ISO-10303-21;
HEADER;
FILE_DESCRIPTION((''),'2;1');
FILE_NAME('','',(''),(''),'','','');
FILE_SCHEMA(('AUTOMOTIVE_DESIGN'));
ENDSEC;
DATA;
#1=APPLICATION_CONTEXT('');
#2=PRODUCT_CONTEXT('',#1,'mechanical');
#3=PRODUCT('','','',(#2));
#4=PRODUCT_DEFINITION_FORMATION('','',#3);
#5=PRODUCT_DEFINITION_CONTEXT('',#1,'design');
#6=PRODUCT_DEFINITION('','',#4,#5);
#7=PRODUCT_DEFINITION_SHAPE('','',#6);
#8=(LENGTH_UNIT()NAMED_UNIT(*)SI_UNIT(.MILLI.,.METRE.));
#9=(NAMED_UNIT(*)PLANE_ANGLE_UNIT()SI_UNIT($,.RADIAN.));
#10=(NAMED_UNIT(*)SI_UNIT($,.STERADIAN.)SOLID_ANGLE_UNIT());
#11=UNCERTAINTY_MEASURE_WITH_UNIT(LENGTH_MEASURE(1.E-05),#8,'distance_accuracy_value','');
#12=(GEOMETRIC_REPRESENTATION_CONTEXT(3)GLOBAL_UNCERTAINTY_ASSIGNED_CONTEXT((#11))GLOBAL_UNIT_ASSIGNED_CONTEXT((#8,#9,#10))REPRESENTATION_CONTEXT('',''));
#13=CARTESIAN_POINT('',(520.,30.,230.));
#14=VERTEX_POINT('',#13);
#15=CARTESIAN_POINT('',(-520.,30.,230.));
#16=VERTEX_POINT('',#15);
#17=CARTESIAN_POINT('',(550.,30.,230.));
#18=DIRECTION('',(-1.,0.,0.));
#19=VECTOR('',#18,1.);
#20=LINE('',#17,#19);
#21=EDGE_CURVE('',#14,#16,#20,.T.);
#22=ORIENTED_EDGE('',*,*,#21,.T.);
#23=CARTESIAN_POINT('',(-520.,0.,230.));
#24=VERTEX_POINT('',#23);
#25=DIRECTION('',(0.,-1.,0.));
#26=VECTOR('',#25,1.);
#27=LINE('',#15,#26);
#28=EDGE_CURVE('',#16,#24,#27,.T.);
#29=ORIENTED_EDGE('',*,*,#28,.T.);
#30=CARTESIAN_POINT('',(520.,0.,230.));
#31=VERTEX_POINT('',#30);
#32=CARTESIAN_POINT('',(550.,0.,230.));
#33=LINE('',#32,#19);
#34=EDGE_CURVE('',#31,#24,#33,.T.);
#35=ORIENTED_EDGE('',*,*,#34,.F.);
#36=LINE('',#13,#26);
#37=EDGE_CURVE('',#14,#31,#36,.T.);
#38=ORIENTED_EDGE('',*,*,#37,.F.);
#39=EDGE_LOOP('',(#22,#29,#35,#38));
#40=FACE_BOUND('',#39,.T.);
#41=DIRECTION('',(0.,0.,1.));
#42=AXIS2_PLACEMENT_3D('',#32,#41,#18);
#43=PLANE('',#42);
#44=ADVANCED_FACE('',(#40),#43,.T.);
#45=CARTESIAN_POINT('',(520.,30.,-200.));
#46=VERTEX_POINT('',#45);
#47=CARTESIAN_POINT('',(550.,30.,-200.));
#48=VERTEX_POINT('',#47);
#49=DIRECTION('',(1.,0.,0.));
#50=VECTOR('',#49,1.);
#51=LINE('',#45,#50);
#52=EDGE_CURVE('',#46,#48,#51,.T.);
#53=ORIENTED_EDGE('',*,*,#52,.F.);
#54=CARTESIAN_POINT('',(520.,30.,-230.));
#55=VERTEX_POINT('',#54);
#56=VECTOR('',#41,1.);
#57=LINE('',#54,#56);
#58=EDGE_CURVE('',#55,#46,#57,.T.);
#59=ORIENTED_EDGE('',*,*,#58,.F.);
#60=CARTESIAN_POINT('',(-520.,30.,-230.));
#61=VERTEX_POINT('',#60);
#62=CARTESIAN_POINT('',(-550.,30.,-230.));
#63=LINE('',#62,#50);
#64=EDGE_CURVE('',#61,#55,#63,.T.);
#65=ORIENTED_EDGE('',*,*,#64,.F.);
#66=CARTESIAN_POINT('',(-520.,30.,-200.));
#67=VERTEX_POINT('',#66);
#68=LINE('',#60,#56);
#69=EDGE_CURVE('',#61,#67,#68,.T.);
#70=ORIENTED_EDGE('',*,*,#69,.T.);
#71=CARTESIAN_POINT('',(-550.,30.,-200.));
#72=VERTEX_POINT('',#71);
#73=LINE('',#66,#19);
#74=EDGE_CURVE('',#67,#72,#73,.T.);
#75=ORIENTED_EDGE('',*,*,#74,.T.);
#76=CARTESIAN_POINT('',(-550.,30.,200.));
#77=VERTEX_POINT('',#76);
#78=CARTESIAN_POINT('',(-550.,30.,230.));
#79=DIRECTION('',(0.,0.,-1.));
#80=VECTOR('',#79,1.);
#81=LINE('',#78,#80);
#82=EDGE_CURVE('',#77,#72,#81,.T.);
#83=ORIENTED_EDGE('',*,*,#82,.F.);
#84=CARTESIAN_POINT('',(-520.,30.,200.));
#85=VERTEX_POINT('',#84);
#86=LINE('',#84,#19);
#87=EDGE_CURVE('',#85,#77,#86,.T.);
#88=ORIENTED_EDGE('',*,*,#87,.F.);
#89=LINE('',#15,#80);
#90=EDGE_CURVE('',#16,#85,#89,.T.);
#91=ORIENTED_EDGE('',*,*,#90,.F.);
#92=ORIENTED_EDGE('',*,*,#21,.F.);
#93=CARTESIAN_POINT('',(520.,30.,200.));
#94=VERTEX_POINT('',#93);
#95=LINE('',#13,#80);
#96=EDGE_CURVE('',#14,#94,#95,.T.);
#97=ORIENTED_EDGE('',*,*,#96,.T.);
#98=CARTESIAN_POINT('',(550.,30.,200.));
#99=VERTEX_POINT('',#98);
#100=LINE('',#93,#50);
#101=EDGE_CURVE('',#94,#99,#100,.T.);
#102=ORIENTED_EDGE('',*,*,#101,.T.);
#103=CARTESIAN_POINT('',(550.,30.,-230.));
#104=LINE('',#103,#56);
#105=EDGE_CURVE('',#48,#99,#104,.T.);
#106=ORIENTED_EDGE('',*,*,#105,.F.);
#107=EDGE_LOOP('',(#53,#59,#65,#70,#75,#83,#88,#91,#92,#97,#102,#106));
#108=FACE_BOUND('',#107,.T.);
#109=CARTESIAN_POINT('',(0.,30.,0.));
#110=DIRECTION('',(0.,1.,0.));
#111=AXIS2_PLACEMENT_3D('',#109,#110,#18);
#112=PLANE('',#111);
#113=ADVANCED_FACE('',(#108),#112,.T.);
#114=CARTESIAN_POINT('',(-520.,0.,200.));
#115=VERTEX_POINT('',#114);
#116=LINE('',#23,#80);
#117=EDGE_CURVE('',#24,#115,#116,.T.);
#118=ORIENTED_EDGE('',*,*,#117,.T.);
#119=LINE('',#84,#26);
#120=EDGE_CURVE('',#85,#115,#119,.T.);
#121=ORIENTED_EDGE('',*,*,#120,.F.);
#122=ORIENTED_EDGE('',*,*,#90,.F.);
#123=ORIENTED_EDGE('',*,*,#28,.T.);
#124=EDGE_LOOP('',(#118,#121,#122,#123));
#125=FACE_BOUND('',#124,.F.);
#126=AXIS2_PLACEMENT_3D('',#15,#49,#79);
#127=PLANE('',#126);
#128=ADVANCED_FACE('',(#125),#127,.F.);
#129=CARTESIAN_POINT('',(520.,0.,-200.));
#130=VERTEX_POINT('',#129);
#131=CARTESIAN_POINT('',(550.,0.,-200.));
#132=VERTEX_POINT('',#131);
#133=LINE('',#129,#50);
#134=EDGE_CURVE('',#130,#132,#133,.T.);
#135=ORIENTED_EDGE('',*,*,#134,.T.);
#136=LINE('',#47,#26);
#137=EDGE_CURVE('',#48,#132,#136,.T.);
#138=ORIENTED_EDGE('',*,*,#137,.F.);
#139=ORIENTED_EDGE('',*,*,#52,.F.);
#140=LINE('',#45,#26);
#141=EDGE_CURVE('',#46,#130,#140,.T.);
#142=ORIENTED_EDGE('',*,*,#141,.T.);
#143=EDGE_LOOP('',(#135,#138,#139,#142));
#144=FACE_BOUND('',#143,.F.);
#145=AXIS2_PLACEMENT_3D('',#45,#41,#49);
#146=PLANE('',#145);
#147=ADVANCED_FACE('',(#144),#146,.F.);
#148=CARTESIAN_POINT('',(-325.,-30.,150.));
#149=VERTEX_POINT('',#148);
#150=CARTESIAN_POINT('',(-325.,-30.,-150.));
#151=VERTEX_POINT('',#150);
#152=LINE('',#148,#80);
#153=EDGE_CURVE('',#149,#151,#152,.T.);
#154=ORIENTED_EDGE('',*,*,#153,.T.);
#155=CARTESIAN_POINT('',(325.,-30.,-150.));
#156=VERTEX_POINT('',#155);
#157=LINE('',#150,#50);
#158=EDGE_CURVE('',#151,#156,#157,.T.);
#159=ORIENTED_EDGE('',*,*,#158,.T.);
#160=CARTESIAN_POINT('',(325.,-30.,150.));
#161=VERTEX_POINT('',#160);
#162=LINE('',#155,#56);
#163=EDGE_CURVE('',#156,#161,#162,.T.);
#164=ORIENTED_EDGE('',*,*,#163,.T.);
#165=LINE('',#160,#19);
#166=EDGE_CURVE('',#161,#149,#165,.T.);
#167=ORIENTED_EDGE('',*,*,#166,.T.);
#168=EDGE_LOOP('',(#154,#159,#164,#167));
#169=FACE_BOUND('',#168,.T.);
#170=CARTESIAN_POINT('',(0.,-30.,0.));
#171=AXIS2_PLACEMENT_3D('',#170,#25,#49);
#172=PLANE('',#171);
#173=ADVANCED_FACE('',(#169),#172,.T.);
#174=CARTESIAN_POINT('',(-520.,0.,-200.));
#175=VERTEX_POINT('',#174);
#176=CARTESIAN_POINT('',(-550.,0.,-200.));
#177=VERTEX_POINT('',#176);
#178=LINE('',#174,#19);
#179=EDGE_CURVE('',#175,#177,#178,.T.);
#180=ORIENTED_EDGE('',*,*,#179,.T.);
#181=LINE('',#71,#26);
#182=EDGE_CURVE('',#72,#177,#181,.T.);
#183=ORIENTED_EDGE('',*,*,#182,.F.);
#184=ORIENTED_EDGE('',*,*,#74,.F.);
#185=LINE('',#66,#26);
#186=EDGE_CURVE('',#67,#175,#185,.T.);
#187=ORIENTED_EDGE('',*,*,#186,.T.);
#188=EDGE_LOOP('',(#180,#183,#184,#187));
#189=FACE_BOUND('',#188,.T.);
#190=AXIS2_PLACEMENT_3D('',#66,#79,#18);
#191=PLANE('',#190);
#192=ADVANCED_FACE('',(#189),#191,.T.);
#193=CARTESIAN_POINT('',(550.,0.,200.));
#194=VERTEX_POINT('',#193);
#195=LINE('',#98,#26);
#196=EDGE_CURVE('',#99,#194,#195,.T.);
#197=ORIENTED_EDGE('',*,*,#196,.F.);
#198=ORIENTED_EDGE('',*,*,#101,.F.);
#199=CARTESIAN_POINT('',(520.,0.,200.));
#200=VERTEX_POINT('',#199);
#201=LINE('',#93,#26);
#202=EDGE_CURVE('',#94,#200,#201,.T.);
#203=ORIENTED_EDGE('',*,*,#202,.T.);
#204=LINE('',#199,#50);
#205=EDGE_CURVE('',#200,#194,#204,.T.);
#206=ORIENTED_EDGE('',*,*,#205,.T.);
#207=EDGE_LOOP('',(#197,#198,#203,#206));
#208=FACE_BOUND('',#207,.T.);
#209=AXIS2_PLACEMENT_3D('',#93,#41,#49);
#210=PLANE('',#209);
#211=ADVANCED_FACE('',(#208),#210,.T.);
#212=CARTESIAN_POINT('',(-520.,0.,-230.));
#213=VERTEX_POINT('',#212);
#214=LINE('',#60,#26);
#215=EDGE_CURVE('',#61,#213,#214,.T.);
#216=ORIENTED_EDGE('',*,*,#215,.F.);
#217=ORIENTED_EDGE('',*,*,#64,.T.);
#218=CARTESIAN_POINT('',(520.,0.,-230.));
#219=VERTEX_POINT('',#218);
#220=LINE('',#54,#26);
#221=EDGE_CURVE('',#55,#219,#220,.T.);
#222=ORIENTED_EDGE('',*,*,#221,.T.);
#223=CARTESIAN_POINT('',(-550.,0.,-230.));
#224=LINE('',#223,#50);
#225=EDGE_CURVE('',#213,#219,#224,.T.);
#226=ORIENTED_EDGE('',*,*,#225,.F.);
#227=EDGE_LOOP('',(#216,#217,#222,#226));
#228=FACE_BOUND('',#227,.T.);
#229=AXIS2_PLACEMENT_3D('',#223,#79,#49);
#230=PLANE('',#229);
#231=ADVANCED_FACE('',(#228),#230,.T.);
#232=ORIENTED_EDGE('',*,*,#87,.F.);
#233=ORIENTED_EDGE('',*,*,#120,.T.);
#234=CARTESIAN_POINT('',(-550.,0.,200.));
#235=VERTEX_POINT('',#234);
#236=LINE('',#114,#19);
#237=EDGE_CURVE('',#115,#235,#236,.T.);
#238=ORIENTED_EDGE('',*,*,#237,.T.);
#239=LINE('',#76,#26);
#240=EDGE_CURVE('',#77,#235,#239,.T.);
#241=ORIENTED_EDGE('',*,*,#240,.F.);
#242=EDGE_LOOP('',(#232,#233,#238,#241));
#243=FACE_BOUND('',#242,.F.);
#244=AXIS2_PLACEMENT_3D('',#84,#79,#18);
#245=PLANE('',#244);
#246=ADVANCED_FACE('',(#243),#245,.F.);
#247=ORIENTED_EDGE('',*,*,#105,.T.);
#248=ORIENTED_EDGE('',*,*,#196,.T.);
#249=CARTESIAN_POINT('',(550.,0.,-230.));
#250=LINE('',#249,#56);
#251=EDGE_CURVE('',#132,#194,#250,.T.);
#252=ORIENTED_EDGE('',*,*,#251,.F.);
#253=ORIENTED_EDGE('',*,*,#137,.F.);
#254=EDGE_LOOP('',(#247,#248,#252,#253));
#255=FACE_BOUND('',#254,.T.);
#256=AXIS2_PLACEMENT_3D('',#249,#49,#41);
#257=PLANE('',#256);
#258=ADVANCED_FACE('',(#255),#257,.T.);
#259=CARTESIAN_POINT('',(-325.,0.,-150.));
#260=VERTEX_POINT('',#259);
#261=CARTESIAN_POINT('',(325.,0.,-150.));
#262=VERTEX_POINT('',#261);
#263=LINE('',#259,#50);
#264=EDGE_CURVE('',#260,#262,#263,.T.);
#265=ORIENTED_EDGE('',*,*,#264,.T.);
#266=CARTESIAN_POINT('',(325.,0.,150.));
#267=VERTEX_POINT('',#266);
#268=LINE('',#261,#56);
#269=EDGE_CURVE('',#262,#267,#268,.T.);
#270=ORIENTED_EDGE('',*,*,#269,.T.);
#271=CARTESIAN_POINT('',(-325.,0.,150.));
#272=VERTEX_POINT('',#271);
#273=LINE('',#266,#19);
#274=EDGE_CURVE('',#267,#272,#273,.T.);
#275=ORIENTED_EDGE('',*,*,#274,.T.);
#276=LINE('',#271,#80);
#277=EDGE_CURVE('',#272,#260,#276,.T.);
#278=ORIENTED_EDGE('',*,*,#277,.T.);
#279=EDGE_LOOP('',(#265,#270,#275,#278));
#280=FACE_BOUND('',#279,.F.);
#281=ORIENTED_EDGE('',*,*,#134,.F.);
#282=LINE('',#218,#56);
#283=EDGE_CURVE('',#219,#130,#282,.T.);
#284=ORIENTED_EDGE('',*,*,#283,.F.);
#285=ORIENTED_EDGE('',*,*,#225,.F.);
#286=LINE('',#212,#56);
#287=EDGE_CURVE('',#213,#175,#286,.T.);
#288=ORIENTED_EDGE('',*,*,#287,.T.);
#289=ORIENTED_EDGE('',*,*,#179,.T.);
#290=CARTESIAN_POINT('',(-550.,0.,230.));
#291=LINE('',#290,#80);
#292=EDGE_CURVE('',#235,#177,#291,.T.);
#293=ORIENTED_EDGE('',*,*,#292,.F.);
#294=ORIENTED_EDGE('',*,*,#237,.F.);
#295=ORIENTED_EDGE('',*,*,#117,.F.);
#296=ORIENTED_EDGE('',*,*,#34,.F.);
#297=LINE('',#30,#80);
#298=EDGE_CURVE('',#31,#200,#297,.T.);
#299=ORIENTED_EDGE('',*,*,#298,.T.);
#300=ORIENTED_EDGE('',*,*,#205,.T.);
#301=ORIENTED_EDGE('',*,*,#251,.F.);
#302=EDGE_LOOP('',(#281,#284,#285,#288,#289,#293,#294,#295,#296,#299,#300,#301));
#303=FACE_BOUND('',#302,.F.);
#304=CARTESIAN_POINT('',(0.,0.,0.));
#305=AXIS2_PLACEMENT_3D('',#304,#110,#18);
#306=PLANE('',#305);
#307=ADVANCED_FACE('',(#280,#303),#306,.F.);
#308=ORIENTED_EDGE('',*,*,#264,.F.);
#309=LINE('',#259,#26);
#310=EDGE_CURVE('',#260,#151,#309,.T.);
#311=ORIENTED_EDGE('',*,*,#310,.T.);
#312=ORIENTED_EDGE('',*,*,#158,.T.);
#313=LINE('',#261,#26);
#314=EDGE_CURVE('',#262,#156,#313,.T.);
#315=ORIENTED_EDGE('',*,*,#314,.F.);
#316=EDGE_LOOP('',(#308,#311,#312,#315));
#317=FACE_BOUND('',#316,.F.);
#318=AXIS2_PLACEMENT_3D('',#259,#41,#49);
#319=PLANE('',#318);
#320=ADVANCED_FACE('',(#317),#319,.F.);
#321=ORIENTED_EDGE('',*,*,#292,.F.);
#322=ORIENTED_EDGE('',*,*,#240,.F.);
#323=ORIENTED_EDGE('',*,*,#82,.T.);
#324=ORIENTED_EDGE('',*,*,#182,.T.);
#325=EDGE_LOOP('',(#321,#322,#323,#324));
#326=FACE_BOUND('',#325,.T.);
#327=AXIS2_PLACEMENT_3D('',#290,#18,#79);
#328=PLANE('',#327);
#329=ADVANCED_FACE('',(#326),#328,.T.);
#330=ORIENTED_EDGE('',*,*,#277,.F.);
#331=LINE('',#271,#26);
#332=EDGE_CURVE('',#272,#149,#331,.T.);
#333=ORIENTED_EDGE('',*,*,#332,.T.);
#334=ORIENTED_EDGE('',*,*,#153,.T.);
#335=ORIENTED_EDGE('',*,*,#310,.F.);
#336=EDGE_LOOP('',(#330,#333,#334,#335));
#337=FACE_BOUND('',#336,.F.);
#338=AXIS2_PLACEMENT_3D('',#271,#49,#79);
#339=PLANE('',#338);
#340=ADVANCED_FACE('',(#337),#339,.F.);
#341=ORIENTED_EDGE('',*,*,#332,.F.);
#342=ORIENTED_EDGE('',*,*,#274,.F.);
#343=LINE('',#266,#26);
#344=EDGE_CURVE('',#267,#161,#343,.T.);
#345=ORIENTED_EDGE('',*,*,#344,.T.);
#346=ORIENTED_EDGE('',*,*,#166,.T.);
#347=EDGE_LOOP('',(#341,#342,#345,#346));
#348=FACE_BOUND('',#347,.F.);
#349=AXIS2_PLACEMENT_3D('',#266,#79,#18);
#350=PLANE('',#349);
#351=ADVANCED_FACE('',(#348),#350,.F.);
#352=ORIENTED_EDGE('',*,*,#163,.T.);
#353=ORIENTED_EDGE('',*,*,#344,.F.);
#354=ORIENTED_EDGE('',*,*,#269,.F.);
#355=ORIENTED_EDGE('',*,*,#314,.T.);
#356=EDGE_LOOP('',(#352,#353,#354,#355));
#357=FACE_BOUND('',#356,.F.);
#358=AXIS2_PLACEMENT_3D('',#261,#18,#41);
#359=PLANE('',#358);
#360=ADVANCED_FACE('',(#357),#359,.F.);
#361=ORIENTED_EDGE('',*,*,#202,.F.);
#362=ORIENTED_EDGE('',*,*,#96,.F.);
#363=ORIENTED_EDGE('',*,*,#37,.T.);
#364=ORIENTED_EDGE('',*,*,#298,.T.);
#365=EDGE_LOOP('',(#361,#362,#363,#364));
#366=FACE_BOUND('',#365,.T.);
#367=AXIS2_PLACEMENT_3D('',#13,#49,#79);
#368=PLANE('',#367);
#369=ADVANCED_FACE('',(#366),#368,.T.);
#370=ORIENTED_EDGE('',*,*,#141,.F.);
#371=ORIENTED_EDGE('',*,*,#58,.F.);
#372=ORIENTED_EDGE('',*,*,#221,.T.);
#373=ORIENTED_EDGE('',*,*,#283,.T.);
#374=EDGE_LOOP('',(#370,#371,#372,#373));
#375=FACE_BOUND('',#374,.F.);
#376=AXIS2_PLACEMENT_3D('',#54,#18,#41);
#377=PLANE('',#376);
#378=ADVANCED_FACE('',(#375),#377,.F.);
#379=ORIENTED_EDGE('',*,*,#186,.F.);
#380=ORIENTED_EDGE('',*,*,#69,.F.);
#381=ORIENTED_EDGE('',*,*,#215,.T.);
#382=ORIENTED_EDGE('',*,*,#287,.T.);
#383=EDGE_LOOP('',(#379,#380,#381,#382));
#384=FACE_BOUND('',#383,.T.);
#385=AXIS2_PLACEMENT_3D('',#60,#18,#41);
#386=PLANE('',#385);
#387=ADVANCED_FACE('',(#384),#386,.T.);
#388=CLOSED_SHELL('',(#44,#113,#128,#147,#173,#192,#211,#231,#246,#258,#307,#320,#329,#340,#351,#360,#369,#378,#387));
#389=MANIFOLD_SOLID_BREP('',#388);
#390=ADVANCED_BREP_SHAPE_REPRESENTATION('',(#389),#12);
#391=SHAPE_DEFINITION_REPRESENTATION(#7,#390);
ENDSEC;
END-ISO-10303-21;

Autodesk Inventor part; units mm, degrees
ref_plane "YZ Plane" through (0, 0, 0) normal (1, 0, 0) x (0, 1, 0)
ref_plane "XZ Plane" through (0, 0, 0) normal (0, 1, 0) x (-1, 0, 0)
ref_plane "XY Plane" through (0, 0, 0) normal (0, 0, 1) x (1, 0, 0)
sketch "Sketch1" plane through (0, 0, 0) normal (0, 1, 0) x (-1, 0, 0)
  line L0 (-550, 230) -> (550, 230)
  line L1 (550, 230) -> (550, -230)
  line L2 (550, -230) -> (-550, -230)
  line L3 (-550, -230) -> (-550, 230)
  line L4 (-550, 230) -> (550, -230) construction
  line L5 (550, 230) -> (-550, -230) construction
  point P0 (0, 0)
  dimension "d0" = 1100
  dimension "d1" = 460
extrude "Extrusion1" add sketch "Sketch1" along normal blind 30
sketch "Sketch2" plane through (0, 30, 0) normal (0, 1, 0) x (1, 0, 0)
  line L0 (-550, 230) -> (-550, -230) projected
  line L1 (-550, -230) -> (-520, -230)
  line L2 (-520, -230) -> (-520, -200)
  line L3 (-520, -200) -> (-550, -200)
  line L4 (-550, -200) -> (-550, -230)
  line L5 (-550, 230) -> (-520, 230)
  line L6 (-520, 230) -> (-520, 200)
  line L7 (-520, 200) -> (-550, 200)
  line L8 (-550, 200) -> (-550, 230)
  line L9 (550, -230) -> (550, 230) projected
  line L10 (550, -230) -> (520, -230)
  line L11 (520, -230) -> (520, -200)
  line L12 (520, -200) -> (550, -200)
  line L13 (550, -200) -> (550, -230)
  line L14 (550, 230) -> (520, 230)
  line L15 (520, 230) -> (520, 200)
  line L16 (520, 200) -> (550, 200)
  line L17 (550, 200) -> (550, 230)
  point P0 (0, 0)
  dimension "d6" = 30
  dimension "d7" = 30
extrude "Extrusion2" cut sketch "Sketch2" against normal blind 30
sketch "Sketch3" plane through (0, 0, 0) normal (0, -1, 0) x (1, 0, 0)
  line L0 (-325, -150) -> (325, -150)
  line L1 (325, -150) -> (325, 150)
  line L2 (325, 150) -> (-325, 150)
  line L3 (-325, 150) -> (-325, -150)
  line L4 (-325, -150) -> (325, 150) construction
  line L5 (325, -150) -> (-325, 150) construction
  point P0 (0, 0)
  dimension "d10" = 650
  dimension "d11" = 300
extrude "Extrusion3" add sketch "Sketch3" along normal blind 30
properties part number "Platform_Arm"
